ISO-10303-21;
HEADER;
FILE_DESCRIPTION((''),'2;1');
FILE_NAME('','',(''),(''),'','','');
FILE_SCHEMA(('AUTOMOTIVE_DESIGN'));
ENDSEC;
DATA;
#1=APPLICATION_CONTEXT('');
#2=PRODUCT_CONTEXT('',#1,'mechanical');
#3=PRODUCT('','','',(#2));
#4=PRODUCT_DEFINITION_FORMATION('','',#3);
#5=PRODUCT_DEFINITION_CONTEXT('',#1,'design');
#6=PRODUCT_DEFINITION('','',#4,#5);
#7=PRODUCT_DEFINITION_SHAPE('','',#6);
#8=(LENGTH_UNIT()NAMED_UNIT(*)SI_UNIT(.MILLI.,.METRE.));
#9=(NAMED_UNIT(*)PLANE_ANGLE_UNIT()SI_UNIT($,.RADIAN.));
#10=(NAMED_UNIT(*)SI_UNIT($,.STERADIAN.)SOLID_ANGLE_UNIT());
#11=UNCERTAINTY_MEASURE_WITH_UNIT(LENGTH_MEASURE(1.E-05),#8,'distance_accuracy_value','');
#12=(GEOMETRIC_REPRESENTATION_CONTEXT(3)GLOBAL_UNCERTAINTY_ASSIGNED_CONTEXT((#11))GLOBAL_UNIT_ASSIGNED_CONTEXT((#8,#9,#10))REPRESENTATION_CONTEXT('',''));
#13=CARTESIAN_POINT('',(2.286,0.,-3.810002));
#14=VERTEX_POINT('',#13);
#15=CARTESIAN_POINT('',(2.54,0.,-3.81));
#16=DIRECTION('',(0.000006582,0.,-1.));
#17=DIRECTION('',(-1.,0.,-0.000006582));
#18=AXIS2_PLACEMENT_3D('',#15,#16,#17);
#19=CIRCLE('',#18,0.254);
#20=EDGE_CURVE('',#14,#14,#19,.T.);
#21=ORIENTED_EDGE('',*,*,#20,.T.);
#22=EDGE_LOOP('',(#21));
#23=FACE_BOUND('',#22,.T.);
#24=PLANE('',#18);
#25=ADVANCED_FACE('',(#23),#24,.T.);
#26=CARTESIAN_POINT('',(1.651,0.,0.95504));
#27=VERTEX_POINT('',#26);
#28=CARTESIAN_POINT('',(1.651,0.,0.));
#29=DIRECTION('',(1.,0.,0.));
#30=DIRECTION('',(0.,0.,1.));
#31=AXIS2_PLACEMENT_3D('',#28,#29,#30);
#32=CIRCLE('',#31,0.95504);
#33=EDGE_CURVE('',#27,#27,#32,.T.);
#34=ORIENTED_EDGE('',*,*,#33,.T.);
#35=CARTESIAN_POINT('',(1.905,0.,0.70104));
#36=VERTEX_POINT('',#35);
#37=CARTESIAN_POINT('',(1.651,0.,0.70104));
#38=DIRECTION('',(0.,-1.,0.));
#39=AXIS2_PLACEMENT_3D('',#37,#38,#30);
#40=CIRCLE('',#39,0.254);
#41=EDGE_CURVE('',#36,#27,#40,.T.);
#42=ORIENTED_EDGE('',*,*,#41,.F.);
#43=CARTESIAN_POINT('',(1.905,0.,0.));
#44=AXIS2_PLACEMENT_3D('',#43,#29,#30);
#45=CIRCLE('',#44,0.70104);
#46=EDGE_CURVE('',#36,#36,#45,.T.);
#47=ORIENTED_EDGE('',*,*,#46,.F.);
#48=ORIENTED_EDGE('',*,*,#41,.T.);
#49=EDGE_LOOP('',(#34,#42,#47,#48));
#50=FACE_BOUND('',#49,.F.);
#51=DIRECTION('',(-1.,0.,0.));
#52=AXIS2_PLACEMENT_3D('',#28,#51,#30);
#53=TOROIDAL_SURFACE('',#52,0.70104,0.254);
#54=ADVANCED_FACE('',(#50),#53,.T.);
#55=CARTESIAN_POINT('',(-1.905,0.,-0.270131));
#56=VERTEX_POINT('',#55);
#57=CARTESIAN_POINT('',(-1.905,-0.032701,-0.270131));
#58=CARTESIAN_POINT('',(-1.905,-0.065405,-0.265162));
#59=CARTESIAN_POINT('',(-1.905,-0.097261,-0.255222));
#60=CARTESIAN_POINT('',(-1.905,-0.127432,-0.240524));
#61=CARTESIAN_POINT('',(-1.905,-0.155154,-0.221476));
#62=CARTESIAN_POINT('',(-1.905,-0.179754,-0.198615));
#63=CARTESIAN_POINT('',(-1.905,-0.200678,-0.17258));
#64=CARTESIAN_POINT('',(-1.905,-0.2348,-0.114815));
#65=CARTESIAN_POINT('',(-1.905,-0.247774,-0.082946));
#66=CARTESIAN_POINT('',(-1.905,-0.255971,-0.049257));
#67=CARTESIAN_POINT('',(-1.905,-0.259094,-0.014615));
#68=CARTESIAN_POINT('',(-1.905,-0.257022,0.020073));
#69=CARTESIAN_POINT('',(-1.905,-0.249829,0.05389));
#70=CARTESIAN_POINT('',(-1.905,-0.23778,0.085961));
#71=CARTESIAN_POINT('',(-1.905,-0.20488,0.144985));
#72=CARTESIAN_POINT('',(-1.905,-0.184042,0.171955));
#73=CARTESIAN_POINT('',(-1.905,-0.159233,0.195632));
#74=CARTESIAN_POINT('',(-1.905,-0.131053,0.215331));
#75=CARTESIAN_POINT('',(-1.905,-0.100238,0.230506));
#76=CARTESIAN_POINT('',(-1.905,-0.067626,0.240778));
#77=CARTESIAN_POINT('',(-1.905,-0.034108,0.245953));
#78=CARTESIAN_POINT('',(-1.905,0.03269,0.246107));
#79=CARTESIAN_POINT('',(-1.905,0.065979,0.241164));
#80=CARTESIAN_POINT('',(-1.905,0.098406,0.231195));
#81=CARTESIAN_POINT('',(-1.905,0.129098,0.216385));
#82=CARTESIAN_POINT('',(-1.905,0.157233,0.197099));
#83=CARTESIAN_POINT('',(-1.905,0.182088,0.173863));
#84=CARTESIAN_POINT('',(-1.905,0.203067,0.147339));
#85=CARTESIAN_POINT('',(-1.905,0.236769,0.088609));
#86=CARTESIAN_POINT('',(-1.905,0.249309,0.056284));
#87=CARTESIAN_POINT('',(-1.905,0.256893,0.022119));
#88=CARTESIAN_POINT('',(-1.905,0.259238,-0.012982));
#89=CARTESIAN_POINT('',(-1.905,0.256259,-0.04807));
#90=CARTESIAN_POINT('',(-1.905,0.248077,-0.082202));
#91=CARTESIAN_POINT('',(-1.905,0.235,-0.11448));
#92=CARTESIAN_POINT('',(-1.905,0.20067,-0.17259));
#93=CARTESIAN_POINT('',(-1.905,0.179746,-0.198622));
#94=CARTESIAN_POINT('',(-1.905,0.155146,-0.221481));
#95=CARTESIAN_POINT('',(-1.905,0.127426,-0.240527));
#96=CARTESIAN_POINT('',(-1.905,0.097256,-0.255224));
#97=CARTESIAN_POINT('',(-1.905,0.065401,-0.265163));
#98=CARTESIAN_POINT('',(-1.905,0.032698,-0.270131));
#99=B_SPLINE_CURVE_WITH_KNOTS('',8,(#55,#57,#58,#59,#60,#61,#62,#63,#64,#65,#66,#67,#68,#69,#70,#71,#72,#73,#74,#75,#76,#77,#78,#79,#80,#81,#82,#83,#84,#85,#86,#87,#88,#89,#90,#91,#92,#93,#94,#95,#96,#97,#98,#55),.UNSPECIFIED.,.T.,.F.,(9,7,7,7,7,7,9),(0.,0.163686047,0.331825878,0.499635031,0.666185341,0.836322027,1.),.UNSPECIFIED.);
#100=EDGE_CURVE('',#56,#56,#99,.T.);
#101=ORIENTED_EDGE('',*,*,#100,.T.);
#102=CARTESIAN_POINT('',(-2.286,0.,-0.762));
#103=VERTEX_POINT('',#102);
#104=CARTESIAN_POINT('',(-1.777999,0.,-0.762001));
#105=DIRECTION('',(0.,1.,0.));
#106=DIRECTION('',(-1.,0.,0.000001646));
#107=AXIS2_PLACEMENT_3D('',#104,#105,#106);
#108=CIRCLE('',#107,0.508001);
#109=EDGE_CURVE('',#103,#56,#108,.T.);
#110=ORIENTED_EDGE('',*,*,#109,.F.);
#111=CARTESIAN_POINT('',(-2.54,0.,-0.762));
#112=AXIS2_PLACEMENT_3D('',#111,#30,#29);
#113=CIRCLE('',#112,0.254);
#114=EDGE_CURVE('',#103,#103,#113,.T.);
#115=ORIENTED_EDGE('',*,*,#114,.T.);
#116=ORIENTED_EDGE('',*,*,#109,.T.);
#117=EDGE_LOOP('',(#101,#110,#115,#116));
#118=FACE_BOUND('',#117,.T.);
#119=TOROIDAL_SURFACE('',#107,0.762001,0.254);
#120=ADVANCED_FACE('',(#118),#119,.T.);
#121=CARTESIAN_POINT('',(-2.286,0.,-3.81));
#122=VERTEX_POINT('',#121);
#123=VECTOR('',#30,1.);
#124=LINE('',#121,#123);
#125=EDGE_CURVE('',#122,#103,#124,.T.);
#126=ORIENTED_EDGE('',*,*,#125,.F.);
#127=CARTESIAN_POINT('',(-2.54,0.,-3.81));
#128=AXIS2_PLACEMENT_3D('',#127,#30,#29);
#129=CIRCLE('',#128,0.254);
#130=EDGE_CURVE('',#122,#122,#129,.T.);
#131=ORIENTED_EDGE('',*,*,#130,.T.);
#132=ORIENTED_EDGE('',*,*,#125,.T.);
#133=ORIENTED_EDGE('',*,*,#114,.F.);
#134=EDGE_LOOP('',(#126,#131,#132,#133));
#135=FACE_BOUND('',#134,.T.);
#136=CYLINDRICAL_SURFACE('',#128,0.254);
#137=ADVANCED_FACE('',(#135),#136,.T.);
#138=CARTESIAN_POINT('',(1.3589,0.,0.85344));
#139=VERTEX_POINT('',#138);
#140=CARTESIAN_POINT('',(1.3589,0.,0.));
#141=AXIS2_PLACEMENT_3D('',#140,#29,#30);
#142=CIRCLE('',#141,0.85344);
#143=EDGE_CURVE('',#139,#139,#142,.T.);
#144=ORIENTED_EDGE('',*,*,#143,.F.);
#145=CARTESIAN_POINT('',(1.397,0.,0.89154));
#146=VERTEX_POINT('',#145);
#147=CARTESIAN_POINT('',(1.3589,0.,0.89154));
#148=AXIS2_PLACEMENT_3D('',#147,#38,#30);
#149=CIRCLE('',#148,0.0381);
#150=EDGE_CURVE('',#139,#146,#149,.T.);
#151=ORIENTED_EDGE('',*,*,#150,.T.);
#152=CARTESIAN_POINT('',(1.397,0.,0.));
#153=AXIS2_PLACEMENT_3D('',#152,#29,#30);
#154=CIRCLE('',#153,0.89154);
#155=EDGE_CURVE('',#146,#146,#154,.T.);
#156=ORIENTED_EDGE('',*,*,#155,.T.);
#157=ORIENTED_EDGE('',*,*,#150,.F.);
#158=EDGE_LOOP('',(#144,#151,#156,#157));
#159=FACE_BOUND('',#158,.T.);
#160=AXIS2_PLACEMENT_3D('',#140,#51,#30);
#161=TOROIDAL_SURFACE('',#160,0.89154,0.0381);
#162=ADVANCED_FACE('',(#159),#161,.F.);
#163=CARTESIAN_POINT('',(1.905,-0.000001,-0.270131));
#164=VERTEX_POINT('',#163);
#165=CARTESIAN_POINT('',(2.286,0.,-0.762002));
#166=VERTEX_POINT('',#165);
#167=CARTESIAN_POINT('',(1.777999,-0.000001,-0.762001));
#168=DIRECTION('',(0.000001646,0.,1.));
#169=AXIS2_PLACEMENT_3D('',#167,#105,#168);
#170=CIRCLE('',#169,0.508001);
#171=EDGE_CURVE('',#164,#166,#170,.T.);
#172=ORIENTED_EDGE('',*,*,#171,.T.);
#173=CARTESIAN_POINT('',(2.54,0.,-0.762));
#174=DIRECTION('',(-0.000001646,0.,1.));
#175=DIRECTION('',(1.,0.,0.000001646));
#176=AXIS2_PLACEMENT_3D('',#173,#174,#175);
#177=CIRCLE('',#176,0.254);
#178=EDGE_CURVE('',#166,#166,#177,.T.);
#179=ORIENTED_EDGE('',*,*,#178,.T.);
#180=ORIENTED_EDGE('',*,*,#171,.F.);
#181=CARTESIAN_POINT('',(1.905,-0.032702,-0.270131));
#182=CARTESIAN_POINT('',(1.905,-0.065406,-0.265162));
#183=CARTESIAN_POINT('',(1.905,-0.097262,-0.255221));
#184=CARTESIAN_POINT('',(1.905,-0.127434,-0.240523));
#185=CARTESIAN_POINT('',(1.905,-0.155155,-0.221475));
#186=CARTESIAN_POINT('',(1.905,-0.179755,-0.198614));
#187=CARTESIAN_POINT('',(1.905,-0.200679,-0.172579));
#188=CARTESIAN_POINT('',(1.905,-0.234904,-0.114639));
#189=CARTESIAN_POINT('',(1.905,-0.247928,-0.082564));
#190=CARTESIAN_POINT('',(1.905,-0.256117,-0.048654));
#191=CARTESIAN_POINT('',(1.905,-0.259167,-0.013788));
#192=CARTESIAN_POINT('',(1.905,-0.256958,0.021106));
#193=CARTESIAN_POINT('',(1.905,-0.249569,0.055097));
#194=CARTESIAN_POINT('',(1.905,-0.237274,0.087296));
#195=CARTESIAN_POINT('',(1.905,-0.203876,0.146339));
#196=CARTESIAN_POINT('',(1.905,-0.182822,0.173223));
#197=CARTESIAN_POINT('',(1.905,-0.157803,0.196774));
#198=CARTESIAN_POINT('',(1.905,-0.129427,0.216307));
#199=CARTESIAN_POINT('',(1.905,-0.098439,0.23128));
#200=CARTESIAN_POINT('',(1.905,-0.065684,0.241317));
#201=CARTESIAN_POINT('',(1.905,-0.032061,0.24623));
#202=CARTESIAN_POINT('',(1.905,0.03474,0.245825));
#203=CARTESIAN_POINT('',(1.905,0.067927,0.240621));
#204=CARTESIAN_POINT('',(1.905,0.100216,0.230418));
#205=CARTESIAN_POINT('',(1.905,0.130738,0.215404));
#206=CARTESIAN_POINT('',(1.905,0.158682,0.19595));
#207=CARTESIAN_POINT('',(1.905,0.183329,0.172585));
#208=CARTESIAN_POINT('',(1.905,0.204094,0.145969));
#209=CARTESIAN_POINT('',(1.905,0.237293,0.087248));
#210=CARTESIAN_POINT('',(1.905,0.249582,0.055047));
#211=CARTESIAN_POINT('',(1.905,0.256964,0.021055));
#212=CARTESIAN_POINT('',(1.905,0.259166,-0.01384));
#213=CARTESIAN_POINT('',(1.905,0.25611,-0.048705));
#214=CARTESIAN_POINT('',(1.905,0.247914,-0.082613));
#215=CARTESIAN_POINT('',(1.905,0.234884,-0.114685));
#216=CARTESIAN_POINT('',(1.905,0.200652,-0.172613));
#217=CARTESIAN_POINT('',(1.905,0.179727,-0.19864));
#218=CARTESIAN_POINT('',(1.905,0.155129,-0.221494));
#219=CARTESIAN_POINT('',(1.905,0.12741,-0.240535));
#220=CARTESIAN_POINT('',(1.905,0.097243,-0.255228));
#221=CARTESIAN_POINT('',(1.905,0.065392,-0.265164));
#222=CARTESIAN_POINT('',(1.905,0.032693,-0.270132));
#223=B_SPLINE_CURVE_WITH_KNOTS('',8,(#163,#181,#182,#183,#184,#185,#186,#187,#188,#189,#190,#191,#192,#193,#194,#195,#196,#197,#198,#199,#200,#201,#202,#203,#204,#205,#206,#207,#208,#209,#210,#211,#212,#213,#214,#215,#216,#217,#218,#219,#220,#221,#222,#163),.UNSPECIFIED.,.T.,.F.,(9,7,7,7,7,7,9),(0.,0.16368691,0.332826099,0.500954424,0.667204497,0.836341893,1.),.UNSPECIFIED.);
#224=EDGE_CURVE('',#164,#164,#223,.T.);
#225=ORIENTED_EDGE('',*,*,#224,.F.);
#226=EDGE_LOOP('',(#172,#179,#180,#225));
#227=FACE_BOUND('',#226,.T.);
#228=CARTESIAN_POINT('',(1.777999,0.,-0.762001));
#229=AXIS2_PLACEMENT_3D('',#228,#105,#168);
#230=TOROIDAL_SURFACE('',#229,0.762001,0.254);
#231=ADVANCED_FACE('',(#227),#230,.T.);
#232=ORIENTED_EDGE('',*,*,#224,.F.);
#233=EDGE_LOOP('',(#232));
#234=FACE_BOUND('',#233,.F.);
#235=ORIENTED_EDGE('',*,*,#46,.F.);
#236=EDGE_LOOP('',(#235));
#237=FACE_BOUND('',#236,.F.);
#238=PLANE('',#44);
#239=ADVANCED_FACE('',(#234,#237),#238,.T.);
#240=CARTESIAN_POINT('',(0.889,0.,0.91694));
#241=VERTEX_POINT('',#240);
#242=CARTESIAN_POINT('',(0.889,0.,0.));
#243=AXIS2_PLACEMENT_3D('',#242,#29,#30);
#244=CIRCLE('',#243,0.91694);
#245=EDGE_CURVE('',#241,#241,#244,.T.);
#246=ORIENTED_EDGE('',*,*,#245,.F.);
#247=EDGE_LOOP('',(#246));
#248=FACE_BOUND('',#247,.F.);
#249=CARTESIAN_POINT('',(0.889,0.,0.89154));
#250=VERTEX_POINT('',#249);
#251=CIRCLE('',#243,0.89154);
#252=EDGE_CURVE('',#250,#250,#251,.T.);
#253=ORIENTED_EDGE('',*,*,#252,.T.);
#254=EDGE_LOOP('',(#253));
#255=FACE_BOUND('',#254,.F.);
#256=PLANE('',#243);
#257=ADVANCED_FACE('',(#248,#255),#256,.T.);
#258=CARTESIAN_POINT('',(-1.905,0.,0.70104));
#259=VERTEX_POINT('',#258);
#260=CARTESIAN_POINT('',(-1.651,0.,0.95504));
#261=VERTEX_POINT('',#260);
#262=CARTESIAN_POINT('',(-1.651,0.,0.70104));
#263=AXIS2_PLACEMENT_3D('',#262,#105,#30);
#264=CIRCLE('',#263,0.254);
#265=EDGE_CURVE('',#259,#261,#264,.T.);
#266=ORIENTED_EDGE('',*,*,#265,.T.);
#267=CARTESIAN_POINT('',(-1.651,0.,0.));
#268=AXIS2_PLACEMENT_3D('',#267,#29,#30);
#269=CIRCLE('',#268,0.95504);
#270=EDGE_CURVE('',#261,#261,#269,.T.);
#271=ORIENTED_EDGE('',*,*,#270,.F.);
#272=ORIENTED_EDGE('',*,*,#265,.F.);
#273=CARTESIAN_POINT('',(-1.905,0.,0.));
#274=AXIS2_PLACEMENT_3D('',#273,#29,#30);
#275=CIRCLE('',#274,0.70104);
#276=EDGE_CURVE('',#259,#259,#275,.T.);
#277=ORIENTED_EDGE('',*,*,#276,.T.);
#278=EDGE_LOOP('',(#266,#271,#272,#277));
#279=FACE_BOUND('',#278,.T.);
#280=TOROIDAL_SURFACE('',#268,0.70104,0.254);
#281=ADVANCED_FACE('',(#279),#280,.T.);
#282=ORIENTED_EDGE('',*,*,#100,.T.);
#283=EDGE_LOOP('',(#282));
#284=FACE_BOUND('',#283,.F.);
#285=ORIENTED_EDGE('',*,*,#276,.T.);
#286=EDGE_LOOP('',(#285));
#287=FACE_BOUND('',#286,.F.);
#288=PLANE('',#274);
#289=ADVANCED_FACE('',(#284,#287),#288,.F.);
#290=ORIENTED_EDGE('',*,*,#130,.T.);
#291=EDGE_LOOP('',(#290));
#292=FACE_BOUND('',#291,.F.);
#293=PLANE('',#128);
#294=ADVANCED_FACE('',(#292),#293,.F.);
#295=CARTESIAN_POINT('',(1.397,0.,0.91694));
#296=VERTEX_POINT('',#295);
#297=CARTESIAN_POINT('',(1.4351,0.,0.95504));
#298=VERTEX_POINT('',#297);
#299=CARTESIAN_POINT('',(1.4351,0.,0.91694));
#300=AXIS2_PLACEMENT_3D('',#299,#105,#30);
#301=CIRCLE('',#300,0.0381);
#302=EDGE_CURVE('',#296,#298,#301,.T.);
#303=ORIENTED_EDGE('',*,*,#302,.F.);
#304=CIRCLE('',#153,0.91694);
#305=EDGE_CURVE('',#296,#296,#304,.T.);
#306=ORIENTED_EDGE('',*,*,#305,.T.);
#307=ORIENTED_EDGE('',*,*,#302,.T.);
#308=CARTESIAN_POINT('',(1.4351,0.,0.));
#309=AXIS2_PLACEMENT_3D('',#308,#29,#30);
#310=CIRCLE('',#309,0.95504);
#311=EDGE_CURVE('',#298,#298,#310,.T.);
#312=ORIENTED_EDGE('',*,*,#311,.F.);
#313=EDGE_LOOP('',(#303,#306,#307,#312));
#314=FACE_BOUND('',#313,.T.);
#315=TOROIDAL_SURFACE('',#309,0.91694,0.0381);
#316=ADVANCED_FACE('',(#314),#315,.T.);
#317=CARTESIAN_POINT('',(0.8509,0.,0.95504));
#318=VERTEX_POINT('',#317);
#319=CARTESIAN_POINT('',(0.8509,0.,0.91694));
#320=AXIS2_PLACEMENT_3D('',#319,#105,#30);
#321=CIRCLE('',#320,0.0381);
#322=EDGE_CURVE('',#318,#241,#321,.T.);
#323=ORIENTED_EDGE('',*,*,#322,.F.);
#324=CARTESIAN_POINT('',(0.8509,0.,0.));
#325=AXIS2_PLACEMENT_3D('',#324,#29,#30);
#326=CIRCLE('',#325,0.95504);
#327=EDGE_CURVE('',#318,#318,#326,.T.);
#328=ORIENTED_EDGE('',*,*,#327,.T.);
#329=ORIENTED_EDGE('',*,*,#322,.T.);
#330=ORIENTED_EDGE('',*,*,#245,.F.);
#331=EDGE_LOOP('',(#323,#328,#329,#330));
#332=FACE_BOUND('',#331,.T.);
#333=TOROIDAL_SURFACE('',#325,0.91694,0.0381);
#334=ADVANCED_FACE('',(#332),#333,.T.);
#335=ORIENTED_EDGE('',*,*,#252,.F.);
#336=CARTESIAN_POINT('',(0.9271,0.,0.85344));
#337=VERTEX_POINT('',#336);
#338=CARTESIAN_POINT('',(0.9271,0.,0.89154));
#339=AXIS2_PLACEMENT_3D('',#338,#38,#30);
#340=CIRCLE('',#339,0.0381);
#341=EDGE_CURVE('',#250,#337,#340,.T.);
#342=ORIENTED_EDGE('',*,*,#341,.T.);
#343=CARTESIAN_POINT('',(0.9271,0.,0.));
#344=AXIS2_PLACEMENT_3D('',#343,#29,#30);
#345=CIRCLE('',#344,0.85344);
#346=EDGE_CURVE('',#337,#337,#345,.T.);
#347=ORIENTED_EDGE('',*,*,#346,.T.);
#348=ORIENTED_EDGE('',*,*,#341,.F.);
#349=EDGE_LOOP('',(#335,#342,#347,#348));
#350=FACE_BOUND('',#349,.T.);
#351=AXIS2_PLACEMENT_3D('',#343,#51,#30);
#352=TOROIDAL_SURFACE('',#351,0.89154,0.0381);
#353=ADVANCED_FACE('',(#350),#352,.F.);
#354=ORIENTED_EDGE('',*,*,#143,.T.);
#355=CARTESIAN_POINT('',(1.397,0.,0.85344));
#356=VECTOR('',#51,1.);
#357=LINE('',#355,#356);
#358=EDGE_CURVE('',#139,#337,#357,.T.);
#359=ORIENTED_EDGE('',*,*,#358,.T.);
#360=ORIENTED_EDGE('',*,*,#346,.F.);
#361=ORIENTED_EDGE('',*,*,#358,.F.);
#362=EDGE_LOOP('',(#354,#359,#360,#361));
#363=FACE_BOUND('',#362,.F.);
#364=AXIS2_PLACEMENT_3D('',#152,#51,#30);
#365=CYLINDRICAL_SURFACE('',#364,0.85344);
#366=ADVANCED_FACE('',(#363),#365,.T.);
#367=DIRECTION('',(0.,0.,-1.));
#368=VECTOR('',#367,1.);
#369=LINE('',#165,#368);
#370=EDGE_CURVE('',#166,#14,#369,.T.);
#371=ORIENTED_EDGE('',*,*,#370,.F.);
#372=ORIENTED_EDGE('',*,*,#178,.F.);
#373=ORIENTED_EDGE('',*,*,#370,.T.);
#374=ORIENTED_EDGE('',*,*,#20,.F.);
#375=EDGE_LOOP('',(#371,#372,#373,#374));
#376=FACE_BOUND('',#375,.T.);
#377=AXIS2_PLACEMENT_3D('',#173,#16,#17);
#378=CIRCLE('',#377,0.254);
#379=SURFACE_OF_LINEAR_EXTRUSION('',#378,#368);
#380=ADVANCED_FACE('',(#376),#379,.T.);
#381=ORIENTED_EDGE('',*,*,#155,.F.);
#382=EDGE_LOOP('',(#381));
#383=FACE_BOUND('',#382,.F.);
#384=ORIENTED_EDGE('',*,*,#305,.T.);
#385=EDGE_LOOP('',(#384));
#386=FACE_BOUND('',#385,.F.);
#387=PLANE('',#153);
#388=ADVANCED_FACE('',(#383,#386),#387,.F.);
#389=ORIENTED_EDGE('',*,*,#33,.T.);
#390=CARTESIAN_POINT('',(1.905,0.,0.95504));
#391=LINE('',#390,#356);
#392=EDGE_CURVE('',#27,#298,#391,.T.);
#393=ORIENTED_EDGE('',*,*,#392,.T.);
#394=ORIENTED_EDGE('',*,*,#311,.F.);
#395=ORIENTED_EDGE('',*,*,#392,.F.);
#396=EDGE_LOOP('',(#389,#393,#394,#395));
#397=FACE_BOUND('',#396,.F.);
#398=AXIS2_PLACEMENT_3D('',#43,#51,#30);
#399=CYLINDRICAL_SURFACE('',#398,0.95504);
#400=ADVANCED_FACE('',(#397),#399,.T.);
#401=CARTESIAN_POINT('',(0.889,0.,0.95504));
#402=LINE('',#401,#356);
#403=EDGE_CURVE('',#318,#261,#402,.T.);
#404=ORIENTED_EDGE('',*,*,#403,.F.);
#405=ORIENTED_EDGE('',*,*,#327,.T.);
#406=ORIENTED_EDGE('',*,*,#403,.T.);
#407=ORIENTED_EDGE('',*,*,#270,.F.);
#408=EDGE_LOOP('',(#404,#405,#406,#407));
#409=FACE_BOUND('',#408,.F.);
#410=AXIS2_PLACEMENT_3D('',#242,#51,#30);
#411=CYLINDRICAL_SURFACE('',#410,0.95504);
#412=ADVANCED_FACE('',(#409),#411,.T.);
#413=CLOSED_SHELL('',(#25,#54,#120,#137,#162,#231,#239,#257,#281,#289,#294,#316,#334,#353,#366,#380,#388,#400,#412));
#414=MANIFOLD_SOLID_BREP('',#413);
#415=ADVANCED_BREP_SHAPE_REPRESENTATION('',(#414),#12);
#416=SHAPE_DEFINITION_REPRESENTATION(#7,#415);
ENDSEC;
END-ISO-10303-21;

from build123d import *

# Parameters (mm, degrees)
F2_R = 0.254
F3_R = 0.0381
F6_R = 0.254


with BuildPart() as f1:
    # F0 (on Front) → F1 (revolve)
    with BuildSketch(Plane.XZ):
        Polygon((-1.905, 0.95504), (-1.905, 0), (1.905, 0), (1.905, 0.95504), (1.397, 0.95504), (1.397, 0.85344), (0.889, 0.85344), (0.889, 0.95504), align=None)
    revolve(axis=Axis((0, 0, 0), (1, 0, 0)))

    # F2
    f2_edges = [f1.edges().sort_by_distance(p)[0] for p in [
        (1.905, 0, -0.95504),
        (-1.905, 0, -0.95504),
    ]]
    fillet(f2_edges, radius=F2_R)

    # F3
    f3_edges = [f1.edges().sort_by_distance(p)[0] for p in [
        (1.397, 0, -0.95504),
        (1.397, 0, -0.85344),
        (0.889, 0, -0.85344),
        (0.889, 0, -0.95504),
    ]]
    fillet(f3_edges, radius=F3_R)

    # F7: sweep along a path in F4
    with BuildLine(Plane.XZ) as f7_path:
        Line((-2.54, -3.81), (-2.54, -0.762))
        ThreePointArc((-2.54, -0.762), (-2.316815, -0.223185), (-1.778, 0))
        Line((-1.778, 0), (1.778, 0))
        ThreePointArc((1.778, 0), (2.316815, -0.223185), (2.54, -0.762))
        Line((2.54, -0.762), (2.54, -3.81))
    # F6 (on offset) → F7 (sweep)
    with BuildSketch(Plane.XY.offset(-3.81)):
        with Locations((-2.54, 0)):
            Circle(F6_R)
    sweep(path=f7_path.line)


solid = f1.part
